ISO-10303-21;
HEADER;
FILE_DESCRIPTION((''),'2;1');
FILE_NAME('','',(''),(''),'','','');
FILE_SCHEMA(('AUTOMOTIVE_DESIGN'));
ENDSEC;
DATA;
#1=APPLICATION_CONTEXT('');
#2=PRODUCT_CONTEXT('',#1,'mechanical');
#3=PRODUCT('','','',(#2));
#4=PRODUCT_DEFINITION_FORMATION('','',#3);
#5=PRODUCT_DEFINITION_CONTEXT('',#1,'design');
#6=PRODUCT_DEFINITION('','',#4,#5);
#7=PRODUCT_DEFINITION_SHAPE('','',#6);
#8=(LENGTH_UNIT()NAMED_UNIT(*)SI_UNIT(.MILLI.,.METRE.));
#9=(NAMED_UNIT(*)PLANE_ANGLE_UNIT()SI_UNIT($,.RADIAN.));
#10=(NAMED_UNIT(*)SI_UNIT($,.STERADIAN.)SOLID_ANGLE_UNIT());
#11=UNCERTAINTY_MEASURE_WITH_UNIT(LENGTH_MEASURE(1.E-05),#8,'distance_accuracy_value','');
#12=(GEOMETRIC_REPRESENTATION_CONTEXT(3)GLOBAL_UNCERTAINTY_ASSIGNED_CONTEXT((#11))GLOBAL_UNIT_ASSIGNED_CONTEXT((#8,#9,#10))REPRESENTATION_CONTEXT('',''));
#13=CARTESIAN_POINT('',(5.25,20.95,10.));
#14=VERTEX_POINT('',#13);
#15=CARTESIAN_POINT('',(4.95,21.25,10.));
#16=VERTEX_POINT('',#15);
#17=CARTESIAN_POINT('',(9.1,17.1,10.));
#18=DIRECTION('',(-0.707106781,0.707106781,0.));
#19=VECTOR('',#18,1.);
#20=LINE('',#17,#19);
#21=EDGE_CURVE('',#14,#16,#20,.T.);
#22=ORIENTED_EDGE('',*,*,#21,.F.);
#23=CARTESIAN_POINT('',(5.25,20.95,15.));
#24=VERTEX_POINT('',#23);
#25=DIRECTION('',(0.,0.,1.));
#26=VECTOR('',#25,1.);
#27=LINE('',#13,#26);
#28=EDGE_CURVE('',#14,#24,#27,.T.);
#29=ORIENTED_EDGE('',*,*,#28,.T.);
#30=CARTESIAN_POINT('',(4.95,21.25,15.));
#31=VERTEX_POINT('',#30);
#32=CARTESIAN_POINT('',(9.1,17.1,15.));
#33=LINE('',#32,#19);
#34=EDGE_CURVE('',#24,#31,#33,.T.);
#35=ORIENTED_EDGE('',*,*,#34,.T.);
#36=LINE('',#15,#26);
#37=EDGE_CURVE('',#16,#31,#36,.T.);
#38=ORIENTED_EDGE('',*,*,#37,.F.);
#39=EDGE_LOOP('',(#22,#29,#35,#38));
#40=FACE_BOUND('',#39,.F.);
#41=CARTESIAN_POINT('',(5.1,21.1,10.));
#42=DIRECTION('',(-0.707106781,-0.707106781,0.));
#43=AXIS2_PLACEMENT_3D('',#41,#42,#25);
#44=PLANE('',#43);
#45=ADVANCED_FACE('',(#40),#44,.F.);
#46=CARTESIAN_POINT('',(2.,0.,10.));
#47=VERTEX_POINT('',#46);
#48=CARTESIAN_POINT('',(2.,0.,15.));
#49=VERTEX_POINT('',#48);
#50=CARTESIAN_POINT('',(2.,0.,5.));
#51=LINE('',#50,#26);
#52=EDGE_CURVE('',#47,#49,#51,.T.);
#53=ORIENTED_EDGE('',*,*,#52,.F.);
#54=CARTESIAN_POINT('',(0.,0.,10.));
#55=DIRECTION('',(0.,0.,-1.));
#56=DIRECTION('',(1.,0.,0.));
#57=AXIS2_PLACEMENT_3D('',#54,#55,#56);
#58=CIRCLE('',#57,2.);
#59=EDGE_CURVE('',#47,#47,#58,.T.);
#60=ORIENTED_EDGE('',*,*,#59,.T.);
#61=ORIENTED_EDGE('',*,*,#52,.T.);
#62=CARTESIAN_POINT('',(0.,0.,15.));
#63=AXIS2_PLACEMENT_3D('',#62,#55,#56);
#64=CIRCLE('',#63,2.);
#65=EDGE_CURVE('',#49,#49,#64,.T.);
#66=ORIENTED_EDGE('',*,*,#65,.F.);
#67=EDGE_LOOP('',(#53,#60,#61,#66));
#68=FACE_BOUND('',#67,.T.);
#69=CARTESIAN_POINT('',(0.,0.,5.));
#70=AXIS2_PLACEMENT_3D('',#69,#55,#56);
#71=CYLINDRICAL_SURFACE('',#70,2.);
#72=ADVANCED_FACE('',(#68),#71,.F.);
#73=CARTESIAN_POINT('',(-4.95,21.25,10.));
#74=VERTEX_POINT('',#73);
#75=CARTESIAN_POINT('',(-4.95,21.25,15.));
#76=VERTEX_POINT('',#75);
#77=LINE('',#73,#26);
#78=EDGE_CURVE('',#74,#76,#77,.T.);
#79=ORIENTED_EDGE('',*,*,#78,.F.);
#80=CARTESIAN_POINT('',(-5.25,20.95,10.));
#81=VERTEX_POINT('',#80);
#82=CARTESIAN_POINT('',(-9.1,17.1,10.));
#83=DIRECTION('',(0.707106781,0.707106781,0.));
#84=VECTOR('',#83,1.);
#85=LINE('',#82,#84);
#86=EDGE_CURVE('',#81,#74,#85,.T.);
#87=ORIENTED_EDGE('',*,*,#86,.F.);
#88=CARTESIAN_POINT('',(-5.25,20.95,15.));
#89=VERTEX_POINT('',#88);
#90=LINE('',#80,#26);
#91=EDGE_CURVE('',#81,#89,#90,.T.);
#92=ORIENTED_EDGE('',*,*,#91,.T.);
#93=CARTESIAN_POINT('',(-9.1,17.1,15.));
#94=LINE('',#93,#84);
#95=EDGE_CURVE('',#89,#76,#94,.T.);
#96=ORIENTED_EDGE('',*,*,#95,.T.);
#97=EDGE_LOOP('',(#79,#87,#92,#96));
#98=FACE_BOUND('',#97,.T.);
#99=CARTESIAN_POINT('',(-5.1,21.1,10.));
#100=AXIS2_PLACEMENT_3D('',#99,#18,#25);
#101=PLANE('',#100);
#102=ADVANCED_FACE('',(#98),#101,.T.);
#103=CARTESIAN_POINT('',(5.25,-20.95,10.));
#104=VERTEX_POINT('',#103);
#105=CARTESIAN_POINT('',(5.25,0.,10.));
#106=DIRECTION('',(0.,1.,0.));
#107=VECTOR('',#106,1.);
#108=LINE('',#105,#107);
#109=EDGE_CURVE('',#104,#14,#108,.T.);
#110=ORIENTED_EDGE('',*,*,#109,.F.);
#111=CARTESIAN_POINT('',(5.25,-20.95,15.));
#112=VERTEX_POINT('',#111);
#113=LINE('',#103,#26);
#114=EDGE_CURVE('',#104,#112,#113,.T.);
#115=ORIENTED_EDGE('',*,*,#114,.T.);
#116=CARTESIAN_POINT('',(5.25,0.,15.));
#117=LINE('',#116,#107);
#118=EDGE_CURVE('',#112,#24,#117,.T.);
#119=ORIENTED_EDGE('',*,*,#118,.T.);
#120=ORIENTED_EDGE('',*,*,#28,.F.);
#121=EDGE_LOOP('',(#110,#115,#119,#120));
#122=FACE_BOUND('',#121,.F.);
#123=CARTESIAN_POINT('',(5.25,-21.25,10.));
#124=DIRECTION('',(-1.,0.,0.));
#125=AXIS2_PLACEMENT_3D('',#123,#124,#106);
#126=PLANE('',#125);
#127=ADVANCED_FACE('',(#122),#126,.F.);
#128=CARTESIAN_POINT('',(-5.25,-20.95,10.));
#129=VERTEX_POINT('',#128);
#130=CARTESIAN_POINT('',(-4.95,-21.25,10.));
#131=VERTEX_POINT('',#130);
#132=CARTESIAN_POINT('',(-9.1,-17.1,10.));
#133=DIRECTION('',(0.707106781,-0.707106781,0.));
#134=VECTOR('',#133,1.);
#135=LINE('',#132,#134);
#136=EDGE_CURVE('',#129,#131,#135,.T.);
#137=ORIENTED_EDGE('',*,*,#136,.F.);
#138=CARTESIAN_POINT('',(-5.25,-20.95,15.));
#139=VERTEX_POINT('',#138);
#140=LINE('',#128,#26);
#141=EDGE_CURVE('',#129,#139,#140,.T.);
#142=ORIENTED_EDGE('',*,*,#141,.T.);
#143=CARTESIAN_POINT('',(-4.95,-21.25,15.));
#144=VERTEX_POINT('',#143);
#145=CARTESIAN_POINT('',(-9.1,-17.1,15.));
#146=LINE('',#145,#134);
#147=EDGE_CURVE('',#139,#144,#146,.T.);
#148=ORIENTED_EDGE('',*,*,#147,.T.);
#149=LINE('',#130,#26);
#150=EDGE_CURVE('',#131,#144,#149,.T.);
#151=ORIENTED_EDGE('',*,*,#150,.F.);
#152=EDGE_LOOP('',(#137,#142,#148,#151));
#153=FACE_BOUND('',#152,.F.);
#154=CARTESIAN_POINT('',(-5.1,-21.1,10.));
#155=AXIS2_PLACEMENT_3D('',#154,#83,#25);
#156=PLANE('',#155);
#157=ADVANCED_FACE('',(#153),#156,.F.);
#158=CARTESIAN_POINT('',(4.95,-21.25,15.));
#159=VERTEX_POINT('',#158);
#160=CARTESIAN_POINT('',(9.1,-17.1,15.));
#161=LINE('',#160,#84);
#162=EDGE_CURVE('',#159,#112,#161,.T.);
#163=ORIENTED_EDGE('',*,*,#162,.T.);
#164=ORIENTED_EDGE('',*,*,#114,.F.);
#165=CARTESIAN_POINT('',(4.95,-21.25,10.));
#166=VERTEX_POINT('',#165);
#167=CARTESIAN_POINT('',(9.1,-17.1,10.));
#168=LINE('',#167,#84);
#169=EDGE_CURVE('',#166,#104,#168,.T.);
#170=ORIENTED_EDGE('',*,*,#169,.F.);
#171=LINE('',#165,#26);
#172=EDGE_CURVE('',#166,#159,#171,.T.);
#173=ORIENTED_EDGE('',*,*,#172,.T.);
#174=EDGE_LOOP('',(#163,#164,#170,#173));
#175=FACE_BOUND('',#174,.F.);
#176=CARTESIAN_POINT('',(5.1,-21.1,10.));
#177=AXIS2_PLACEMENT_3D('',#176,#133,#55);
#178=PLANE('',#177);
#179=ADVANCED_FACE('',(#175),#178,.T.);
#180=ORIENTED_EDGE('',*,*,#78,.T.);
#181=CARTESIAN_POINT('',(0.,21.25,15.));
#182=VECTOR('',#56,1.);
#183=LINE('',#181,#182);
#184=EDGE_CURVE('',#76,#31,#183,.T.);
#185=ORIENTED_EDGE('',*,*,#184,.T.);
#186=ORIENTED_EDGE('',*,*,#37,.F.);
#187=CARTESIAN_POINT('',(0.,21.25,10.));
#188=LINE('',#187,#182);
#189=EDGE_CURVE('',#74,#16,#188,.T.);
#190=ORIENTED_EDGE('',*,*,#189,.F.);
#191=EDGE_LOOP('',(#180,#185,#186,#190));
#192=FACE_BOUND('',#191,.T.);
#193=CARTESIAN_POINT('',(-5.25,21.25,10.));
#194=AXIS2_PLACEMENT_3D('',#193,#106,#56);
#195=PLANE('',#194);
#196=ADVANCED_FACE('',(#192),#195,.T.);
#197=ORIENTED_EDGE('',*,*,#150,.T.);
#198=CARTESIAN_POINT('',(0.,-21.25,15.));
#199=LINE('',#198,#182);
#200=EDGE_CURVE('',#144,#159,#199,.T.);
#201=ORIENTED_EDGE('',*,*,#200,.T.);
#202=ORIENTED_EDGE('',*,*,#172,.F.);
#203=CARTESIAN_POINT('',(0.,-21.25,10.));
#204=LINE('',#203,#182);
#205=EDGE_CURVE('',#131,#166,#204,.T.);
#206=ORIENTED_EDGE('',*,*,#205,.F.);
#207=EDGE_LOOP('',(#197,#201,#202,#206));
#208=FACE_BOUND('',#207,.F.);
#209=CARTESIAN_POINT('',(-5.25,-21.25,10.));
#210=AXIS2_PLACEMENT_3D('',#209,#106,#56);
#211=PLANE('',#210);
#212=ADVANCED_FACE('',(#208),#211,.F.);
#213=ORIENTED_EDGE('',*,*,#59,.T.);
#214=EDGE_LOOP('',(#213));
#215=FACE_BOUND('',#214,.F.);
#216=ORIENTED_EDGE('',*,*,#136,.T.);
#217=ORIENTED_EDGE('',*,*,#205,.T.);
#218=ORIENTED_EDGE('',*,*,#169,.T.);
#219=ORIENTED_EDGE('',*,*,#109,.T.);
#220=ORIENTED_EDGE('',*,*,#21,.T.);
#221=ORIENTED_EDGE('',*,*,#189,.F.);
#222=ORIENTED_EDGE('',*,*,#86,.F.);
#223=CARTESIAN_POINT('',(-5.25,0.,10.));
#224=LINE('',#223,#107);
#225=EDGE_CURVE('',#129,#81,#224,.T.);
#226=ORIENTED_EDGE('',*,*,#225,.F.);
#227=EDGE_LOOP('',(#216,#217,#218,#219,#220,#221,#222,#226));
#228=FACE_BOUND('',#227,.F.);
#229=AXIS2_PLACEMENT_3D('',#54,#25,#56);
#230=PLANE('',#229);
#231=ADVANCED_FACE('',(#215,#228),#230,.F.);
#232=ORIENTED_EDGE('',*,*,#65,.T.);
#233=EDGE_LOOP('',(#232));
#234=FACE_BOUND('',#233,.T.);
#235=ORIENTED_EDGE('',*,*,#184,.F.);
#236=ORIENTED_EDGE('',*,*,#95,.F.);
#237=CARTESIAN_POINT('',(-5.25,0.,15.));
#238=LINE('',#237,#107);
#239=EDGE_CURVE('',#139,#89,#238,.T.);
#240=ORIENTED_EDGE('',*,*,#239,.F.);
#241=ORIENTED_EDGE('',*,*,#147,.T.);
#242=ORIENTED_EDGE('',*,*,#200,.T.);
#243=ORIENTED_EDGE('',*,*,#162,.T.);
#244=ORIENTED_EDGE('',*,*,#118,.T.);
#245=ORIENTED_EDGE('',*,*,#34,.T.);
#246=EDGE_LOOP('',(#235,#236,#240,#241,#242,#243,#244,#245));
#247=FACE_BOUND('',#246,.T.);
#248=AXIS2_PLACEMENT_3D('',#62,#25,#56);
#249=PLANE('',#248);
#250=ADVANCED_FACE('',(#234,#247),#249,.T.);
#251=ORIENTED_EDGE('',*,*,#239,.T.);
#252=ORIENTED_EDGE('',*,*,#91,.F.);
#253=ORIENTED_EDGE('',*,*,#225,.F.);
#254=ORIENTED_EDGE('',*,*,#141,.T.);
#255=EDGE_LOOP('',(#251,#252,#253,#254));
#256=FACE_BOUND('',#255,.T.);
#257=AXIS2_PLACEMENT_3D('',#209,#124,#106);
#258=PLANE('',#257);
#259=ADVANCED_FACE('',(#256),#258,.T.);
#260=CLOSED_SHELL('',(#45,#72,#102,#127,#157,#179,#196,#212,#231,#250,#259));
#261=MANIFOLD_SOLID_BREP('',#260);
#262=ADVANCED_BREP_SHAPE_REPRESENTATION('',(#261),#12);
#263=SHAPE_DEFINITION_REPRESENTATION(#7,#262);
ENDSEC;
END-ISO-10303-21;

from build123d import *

# Parameters (mm, degrees)
CYLINDER001_R     = 2
CYLINDER001_DEPTH = 12
BOX012_W          = 10.5
BOX012_H          = 42.5
BOX012_DEPTH      = 5
CHAMFER005_SIZE   = 0.3


with BuildPart() as m4_tap:
    # Cylinder001 → Cylinder001 (new body)
    with BuildSketch(Plane.XY.offset(5)):
        Circle(CYLINDER001_R)
    extrude(amount=CYLINDER001_DEPTH)


with BuildPart() as cut:
    # Box012 → Box012 (new body)
    with BuildSketch(Plane(origin=(-5.25, -21.25, 0), x_dir=(1, 0, 0), z_dir=(0, 0, 1))):
        with Locations((5.25, 21.25)):
            Rectangle(BOX012_W, BOX012_H)
    extrude(amount=BOX012_DEPTH)

    # Chamfer005
    chamfer005_edges = [cut.edges().sort_by_distance(p)[0] for p in [
        (-5.25, -21.25, 2.5),
        (-5.25, 21.25, 2.5),
        (5.25, -21.25, 2.5),
        (5.25, 21.25, 2.5),
    ]]
    chamfer(chamfer005_edges, length=CHAMFER005_SIZE)


with BuildPart() as cut_1:
    # Chamfer005 placement: moved
    add(cut.part.moved(Location((0, 0, 10))))

    # Cut: cut M4-tap
    add(m4_tap.part, mode=Mode.SUBTRACT)


solid = cut_1.part
